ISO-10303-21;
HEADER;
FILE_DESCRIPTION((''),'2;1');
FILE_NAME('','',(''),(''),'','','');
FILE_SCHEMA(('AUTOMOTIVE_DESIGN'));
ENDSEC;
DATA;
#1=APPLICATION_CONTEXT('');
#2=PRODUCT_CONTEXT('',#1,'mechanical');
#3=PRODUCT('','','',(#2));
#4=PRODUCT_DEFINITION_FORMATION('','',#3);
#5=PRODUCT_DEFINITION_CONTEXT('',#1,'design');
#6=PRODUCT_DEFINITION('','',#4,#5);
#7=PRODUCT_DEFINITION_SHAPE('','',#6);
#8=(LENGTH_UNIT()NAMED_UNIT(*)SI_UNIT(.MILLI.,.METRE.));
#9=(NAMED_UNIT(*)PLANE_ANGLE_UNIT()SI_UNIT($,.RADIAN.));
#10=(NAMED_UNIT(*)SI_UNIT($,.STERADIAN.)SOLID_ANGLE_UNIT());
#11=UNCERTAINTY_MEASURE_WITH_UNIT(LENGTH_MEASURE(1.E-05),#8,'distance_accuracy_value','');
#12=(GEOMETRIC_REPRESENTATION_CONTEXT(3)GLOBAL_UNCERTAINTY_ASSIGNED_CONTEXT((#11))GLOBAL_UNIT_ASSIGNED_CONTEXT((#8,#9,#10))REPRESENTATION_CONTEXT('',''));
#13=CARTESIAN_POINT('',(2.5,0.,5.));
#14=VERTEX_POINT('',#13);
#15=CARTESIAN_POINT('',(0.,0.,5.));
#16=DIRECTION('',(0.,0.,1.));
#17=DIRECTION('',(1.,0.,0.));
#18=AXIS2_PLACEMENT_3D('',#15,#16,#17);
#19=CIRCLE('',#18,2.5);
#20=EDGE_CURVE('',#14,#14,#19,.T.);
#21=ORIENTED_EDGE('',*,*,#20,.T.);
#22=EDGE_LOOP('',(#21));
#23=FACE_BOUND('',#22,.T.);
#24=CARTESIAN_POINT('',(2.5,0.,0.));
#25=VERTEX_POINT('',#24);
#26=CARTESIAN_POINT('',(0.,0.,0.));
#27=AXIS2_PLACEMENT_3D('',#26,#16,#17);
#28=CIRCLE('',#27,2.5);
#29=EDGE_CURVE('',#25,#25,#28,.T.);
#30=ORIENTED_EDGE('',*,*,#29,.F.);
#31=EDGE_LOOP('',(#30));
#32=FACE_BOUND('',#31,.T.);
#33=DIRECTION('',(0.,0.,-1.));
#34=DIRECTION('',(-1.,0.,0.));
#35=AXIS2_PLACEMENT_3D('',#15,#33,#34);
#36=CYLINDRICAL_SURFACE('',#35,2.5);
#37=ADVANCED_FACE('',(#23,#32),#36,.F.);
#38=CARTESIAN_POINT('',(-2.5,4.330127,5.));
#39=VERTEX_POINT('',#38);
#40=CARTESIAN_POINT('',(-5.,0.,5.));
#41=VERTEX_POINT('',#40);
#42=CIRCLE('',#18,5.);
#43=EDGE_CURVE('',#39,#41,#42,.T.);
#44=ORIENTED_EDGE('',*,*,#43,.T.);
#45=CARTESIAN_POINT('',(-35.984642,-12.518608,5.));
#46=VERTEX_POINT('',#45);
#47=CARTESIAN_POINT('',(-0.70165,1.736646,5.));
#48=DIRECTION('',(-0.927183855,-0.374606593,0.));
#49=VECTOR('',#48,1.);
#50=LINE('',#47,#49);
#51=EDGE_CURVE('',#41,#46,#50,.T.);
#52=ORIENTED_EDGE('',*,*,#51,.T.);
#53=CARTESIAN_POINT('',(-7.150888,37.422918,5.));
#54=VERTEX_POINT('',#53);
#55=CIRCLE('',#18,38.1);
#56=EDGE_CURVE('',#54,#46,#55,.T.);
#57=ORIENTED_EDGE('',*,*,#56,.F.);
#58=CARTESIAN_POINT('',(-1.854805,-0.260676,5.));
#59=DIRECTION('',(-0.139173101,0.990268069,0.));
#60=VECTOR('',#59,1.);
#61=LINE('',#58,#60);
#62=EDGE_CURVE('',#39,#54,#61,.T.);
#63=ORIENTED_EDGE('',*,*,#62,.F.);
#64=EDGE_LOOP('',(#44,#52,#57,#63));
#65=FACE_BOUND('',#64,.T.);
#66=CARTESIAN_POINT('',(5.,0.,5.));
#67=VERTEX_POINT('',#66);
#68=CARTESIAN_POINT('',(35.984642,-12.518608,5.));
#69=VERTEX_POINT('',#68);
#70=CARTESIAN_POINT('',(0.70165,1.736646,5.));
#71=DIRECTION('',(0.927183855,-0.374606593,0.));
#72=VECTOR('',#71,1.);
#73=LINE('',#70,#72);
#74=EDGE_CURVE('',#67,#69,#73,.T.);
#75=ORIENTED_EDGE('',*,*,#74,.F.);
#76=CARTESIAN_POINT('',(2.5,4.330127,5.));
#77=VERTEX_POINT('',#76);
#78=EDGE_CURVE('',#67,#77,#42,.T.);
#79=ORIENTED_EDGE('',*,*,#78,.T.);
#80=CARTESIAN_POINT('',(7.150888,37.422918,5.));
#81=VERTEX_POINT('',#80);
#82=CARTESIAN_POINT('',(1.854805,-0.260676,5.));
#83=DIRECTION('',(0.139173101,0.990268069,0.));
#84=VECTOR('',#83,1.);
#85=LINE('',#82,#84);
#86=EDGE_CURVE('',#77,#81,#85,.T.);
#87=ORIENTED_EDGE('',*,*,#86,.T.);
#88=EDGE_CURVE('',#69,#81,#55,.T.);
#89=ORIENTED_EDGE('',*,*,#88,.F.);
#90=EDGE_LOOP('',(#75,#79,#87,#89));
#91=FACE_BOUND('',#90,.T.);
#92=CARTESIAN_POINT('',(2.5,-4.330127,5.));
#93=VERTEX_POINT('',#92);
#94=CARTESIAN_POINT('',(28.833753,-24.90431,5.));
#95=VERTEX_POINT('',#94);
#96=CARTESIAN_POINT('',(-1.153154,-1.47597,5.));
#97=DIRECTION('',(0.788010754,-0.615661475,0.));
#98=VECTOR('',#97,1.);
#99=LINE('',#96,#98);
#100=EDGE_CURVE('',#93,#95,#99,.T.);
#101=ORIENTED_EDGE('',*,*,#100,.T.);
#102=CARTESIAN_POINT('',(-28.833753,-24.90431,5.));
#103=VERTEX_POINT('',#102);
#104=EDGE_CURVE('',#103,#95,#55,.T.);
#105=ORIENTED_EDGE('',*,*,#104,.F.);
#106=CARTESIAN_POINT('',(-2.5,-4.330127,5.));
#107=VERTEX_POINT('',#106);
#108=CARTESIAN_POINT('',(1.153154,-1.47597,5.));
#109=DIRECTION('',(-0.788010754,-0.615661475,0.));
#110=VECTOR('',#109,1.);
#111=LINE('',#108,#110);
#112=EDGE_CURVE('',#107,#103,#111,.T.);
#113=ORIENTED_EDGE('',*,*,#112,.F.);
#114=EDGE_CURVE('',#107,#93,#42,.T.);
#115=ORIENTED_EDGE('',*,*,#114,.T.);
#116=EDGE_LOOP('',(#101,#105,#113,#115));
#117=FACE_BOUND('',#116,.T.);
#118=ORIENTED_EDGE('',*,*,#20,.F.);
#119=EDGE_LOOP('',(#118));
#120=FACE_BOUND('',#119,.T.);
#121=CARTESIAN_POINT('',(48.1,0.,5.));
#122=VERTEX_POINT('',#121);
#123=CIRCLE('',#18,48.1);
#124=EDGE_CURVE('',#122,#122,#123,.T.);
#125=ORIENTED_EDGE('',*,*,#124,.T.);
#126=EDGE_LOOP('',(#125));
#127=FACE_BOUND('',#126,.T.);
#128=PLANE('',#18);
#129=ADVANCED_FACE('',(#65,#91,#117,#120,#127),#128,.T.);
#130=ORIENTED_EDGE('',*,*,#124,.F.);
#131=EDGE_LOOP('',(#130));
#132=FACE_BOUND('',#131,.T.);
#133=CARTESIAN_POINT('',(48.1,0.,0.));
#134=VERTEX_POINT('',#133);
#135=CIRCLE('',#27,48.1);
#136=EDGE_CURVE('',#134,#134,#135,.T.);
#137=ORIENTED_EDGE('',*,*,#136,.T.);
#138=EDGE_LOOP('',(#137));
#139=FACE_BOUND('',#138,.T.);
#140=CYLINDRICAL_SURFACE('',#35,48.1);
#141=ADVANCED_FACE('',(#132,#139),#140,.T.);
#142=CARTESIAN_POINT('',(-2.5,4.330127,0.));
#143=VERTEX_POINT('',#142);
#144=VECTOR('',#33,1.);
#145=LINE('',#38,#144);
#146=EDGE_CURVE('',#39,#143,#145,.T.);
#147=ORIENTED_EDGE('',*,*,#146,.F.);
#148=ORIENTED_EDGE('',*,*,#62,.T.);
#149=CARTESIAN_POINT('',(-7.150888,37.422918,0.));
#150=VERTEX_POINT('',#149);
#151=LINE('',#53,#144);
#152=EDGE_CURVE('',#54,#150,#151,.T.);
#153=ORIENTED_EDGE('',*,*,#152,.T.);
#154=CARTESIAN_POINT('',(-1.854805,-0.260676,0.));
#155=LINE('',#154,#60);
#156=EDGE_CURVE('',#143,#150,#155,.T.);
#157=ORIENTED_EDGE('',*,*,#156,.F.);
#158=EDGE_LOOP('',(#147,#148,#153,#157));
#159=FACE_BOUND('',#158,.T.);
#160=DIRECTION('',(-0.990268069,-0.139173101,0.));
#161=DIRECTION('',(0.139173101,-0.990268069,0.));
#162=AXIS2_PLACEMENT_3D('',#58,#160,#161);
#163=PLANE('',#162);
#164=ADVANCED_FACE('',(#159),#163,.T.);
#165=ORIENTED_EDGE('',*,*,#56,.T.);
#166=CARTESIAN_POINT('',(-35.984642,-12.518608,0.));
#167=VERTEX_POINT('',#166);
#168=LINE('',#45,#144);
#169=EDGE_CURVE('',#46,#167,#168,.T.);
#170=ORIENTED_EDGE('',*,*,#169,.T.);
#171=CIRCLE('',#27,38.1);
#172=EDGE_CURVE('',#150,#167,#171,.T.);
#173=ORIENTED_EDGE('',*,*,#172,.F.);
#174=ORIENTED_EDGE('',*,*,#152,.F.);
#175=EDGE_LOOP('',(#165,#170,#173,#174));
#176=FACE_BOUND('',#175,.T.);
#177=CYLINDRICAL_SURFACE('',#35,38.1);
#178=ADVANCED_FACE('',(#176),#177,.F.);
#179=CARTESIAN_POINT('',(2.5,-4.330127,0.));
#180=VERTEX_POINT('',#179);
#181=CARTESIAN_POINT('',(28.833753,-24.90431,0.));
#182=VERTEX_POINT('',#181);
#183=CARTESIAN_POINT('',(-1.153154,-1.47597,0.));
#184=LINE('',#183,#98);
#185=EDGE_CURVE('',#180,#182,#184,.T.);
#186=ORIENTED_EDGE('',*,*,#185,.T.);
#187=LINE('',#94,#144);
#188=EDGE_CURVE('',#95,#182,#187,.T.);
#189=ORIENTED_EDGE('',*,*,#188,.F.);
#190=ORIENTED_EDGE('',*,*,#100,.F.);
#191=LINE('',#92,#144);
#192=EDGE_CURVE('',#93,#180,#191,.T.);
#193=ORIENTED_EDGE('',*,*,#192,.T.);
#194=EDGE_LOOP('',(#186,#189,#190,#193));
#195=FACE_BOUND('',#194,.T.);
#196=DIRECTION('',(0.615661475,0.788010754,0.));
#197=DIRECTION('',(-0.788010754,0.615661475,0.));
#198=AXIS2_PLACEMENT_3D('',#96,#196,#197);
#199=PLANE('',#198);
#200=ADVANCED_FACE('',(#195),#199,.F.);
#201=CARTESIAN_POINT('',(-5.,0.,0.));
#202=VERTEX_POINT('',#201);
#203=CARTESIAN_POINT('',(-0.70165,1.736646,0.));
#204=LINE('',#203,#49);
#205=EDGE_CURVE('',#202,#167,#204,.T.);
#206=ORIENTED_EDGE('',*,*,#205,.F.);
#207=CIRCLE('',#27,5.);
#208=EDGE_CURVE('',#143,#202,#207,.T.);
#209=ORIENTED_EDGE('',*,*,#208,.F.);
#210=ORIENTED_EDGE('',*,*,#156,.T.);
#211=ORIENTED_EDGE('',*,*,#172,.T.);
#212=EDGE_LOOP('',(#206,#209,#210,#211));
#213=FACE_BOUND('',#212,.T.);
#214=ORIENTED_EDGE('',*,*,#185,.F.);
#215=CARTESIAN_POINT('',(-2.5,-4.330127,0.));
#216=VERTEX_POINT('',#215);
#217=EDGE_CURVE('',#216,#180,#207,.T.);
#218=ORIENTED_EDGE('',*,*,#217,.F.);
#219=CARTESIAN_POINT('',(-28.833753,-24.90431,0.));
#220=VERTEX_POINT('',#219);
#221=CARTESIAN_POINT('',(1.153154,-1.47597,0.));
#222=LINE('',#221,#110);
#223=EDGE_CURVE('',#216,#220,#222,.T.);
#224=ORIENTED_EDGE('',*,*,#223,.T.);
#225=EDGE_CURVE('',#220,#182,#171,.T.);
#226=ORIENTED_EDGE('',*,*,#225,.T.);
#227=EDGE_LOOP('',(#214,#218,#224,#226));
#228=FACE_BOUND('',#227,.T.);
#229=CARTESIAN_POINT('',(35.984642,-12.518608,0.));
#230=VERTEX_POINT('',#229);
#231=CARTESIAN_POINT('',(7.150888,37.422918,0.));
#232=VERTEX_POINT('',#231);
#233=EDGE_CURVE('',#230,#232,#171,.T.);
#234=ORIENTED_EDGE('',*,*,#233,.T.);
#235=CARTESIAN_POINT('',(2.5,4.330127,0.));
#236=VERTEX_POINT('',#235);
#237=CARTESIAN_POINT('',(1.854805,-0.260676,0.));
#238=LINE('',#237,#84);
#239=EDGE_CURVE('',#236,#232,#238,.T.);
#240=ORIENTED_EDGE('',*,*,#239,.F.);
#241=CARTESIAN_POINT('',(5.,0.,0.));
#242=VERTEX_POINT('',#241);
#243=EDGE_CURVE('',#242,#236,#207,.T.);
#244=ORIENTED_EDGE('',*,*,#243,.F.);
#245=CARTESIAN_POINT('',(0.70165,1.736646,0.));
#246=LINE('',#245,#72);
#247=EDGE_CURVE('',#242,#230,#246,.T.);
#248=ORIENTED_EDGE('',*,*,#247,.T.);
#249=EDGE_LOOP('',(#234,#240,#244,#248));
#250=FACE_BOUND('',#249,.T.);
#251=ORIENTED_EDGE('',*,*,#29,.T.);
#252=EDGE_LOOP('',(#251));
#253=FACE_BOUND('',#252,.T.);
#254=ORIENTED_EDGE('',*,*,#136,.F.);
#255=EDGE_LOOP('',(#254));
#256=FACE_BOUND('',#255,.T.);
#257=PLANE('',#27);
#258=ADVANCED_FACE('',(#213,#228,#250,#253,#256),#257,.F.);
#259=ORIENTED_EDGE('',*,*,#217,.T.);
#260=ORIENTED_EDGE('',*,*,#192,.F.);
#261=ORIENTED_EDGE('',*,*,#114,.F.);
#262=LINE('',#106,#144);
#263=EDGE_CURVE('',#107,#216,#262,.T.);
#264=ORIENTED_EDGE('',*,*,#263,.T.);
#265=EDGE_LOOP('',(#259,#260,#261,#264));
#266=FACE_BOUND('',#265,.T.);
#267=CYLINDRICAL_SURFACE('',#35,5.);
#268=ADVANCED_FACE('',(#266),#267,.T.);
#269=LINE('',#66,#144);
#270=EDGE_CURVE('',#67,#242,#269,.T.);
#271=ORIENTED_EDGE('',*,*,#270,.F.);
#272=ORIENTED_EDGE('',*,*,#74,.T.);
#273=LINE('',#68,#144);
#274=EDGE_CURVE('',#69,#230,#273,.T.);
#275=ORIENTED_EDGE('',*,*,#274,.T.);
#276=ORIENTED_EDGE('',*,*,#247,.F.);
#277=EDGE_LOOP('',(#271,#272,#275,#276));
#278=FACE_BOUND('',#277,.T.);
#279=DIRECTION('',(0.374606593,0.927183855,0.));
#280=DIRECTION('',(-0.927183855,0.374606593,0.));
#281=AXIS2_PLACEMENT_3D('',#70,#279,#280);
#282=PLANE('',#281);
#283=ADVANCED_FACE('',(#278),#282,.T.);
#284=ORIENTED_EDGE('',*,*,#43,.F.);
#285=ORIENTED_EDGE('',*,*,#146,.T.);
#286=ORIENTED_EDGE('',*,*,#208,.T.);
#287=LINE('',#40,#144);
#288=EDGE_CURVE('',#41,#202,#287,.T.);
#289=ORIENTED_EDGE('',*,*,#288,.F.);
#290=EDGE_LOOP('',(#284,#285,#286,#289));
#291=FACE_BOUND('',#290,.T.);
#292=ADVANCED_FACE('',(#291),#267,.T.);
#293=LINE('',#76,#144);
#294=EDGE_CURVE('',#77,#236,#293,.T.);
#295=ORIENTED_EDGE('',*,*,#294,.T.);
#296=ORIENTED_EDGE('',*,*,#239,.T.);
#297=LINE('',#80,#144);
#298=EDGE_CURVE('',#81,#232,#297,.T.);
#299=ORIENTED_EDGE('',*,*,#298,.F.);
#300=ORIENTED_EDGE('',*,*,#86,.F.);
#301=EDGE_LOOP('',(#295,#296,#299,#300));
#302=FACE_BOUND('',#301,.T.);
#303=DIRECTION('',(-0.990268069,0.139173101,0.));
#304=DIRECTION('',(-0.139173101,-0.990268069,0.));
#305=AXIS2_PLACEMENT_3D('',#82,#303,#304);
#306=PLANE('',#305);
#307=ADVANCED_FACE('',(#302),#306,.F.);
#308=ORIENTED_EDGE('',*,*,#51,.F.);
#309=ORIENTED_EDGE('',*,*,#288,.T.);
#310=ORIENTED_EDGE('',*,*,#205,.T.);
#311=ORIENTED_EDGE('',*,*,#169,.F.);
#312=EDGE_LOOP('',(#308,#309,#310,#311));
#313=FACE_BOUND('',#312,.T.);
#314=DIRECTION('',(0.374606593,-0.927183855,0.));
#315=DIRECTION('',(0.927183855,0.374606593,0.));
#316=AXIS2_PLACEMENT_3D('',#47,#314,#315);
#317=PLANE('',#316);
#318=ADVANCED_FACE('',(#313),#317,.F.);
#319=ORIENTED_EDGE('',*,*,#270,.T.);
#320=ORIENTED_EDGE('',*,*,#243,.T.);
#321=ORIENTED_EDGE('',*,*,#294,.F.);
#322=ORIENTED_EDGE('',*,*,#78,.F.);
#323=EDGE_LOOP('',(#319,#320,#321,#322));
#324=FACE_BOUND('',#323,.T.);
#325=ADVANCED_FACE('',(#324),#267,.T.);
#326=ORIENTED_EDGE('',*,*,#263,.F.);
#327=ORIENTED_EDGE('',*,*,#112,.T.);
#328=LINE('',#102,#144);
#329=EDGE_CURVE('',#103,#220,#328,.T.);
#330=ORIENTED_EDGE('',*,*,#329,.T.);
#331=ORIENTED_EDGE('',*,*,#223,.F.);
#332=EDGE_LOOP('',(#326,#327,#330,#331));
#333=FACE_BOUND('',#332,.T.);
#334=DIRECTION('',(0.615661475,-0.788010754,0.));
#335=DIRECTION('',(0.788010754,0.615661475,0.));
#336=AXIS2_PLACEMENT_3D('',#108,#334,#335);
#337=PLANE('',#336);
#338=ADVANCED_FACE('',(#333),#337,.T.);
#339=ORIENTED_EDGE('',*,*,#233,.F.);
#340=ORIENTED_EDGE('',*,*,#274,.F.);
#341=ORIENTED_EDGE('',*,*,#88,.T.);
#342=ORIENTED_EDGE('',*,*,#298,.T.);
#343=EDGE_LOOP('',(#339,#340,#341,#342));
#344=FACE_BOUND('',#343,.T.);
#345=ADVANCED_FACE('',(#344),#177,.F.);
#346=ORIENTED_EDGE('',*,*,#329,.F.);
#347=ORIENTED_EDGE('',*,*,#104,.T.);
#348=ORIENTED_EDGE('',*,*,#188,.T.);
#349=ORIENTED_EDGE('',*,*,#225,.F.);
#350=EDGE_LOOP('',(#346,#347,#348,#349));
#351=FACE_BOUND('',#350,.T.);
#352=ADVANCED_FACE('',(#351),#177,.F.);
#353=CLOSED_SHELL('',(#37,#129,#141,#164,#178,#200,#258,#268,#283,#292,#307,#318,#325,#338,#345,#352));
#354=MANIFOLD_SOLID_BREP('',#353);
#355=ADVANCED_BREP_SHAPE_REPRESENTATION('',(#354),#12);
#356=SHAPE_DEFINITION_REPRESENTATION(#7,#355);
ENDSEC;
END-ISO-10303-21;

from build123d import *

# Parameters (mm, degrees)
SKETCH1_R           = 48.1
SKETCH1_R_2         = 2.5
BOSS_EXTRUDE1_DEPTH = 5


with BuildPart() as part:
    # Sketch1 → Boss-Extrude1 (new body)
    with BuildSketch(Plane.XY):
        Circle(SKETCH1_R)
        with BuildLine():
            Line((-7.150888472, 37.422918032), (-2.5, 4.330127019))
            ThreePointArc((-2.5, 4.330127019), (-4.330127019, 2.5), (-5, 0))
            Line((-5, 0), (-35.984641936, -12.51860794))
            ThreePointArc((-35.984641936, -12.51860794), (-32.995567884, 19.05), (-7.150888472, 37.422918032))
        make_face(mode=Mode.SUBTRACT)
        with BuildLine():
            Line((-28.833753464, -24.904310092), (-2.5, -4.330127019))
            ThreePointArc((-2.5, -4.330127019), (0, -5), (2.5, -4.330127019))
            Line((2.5, -4.330127019), (28.833753464, -24.904310092))
            ThreePointArc((28.833753464, -24.904310092), (0, -38.1), (-28.833753464, -24.904310092))
        make_face(mode=Mode.SUBTRACT)
        with BuildLine():
            Line((35.984641936, -12.51860794), (5, 0))
            ThreePointArc((5, 0), (4.330127019, 2.5), (2.5, 4.330127019))
            Line((2.5, 4.330127019), (7.150888472, 37.422918032))
            ThreePointArc((7.150888472, 37.422918032), (32.995567884, 19.05), (35.984641936, -12.51860794))
        make_face(mode=Mode.SUBTRACT)
        Circle(SKETCH1_R_2, mode=Mode.SUBTRACT)
    extrude(amount=BOSS_EXTRUDE1_DEPTH)


solid = part.part
